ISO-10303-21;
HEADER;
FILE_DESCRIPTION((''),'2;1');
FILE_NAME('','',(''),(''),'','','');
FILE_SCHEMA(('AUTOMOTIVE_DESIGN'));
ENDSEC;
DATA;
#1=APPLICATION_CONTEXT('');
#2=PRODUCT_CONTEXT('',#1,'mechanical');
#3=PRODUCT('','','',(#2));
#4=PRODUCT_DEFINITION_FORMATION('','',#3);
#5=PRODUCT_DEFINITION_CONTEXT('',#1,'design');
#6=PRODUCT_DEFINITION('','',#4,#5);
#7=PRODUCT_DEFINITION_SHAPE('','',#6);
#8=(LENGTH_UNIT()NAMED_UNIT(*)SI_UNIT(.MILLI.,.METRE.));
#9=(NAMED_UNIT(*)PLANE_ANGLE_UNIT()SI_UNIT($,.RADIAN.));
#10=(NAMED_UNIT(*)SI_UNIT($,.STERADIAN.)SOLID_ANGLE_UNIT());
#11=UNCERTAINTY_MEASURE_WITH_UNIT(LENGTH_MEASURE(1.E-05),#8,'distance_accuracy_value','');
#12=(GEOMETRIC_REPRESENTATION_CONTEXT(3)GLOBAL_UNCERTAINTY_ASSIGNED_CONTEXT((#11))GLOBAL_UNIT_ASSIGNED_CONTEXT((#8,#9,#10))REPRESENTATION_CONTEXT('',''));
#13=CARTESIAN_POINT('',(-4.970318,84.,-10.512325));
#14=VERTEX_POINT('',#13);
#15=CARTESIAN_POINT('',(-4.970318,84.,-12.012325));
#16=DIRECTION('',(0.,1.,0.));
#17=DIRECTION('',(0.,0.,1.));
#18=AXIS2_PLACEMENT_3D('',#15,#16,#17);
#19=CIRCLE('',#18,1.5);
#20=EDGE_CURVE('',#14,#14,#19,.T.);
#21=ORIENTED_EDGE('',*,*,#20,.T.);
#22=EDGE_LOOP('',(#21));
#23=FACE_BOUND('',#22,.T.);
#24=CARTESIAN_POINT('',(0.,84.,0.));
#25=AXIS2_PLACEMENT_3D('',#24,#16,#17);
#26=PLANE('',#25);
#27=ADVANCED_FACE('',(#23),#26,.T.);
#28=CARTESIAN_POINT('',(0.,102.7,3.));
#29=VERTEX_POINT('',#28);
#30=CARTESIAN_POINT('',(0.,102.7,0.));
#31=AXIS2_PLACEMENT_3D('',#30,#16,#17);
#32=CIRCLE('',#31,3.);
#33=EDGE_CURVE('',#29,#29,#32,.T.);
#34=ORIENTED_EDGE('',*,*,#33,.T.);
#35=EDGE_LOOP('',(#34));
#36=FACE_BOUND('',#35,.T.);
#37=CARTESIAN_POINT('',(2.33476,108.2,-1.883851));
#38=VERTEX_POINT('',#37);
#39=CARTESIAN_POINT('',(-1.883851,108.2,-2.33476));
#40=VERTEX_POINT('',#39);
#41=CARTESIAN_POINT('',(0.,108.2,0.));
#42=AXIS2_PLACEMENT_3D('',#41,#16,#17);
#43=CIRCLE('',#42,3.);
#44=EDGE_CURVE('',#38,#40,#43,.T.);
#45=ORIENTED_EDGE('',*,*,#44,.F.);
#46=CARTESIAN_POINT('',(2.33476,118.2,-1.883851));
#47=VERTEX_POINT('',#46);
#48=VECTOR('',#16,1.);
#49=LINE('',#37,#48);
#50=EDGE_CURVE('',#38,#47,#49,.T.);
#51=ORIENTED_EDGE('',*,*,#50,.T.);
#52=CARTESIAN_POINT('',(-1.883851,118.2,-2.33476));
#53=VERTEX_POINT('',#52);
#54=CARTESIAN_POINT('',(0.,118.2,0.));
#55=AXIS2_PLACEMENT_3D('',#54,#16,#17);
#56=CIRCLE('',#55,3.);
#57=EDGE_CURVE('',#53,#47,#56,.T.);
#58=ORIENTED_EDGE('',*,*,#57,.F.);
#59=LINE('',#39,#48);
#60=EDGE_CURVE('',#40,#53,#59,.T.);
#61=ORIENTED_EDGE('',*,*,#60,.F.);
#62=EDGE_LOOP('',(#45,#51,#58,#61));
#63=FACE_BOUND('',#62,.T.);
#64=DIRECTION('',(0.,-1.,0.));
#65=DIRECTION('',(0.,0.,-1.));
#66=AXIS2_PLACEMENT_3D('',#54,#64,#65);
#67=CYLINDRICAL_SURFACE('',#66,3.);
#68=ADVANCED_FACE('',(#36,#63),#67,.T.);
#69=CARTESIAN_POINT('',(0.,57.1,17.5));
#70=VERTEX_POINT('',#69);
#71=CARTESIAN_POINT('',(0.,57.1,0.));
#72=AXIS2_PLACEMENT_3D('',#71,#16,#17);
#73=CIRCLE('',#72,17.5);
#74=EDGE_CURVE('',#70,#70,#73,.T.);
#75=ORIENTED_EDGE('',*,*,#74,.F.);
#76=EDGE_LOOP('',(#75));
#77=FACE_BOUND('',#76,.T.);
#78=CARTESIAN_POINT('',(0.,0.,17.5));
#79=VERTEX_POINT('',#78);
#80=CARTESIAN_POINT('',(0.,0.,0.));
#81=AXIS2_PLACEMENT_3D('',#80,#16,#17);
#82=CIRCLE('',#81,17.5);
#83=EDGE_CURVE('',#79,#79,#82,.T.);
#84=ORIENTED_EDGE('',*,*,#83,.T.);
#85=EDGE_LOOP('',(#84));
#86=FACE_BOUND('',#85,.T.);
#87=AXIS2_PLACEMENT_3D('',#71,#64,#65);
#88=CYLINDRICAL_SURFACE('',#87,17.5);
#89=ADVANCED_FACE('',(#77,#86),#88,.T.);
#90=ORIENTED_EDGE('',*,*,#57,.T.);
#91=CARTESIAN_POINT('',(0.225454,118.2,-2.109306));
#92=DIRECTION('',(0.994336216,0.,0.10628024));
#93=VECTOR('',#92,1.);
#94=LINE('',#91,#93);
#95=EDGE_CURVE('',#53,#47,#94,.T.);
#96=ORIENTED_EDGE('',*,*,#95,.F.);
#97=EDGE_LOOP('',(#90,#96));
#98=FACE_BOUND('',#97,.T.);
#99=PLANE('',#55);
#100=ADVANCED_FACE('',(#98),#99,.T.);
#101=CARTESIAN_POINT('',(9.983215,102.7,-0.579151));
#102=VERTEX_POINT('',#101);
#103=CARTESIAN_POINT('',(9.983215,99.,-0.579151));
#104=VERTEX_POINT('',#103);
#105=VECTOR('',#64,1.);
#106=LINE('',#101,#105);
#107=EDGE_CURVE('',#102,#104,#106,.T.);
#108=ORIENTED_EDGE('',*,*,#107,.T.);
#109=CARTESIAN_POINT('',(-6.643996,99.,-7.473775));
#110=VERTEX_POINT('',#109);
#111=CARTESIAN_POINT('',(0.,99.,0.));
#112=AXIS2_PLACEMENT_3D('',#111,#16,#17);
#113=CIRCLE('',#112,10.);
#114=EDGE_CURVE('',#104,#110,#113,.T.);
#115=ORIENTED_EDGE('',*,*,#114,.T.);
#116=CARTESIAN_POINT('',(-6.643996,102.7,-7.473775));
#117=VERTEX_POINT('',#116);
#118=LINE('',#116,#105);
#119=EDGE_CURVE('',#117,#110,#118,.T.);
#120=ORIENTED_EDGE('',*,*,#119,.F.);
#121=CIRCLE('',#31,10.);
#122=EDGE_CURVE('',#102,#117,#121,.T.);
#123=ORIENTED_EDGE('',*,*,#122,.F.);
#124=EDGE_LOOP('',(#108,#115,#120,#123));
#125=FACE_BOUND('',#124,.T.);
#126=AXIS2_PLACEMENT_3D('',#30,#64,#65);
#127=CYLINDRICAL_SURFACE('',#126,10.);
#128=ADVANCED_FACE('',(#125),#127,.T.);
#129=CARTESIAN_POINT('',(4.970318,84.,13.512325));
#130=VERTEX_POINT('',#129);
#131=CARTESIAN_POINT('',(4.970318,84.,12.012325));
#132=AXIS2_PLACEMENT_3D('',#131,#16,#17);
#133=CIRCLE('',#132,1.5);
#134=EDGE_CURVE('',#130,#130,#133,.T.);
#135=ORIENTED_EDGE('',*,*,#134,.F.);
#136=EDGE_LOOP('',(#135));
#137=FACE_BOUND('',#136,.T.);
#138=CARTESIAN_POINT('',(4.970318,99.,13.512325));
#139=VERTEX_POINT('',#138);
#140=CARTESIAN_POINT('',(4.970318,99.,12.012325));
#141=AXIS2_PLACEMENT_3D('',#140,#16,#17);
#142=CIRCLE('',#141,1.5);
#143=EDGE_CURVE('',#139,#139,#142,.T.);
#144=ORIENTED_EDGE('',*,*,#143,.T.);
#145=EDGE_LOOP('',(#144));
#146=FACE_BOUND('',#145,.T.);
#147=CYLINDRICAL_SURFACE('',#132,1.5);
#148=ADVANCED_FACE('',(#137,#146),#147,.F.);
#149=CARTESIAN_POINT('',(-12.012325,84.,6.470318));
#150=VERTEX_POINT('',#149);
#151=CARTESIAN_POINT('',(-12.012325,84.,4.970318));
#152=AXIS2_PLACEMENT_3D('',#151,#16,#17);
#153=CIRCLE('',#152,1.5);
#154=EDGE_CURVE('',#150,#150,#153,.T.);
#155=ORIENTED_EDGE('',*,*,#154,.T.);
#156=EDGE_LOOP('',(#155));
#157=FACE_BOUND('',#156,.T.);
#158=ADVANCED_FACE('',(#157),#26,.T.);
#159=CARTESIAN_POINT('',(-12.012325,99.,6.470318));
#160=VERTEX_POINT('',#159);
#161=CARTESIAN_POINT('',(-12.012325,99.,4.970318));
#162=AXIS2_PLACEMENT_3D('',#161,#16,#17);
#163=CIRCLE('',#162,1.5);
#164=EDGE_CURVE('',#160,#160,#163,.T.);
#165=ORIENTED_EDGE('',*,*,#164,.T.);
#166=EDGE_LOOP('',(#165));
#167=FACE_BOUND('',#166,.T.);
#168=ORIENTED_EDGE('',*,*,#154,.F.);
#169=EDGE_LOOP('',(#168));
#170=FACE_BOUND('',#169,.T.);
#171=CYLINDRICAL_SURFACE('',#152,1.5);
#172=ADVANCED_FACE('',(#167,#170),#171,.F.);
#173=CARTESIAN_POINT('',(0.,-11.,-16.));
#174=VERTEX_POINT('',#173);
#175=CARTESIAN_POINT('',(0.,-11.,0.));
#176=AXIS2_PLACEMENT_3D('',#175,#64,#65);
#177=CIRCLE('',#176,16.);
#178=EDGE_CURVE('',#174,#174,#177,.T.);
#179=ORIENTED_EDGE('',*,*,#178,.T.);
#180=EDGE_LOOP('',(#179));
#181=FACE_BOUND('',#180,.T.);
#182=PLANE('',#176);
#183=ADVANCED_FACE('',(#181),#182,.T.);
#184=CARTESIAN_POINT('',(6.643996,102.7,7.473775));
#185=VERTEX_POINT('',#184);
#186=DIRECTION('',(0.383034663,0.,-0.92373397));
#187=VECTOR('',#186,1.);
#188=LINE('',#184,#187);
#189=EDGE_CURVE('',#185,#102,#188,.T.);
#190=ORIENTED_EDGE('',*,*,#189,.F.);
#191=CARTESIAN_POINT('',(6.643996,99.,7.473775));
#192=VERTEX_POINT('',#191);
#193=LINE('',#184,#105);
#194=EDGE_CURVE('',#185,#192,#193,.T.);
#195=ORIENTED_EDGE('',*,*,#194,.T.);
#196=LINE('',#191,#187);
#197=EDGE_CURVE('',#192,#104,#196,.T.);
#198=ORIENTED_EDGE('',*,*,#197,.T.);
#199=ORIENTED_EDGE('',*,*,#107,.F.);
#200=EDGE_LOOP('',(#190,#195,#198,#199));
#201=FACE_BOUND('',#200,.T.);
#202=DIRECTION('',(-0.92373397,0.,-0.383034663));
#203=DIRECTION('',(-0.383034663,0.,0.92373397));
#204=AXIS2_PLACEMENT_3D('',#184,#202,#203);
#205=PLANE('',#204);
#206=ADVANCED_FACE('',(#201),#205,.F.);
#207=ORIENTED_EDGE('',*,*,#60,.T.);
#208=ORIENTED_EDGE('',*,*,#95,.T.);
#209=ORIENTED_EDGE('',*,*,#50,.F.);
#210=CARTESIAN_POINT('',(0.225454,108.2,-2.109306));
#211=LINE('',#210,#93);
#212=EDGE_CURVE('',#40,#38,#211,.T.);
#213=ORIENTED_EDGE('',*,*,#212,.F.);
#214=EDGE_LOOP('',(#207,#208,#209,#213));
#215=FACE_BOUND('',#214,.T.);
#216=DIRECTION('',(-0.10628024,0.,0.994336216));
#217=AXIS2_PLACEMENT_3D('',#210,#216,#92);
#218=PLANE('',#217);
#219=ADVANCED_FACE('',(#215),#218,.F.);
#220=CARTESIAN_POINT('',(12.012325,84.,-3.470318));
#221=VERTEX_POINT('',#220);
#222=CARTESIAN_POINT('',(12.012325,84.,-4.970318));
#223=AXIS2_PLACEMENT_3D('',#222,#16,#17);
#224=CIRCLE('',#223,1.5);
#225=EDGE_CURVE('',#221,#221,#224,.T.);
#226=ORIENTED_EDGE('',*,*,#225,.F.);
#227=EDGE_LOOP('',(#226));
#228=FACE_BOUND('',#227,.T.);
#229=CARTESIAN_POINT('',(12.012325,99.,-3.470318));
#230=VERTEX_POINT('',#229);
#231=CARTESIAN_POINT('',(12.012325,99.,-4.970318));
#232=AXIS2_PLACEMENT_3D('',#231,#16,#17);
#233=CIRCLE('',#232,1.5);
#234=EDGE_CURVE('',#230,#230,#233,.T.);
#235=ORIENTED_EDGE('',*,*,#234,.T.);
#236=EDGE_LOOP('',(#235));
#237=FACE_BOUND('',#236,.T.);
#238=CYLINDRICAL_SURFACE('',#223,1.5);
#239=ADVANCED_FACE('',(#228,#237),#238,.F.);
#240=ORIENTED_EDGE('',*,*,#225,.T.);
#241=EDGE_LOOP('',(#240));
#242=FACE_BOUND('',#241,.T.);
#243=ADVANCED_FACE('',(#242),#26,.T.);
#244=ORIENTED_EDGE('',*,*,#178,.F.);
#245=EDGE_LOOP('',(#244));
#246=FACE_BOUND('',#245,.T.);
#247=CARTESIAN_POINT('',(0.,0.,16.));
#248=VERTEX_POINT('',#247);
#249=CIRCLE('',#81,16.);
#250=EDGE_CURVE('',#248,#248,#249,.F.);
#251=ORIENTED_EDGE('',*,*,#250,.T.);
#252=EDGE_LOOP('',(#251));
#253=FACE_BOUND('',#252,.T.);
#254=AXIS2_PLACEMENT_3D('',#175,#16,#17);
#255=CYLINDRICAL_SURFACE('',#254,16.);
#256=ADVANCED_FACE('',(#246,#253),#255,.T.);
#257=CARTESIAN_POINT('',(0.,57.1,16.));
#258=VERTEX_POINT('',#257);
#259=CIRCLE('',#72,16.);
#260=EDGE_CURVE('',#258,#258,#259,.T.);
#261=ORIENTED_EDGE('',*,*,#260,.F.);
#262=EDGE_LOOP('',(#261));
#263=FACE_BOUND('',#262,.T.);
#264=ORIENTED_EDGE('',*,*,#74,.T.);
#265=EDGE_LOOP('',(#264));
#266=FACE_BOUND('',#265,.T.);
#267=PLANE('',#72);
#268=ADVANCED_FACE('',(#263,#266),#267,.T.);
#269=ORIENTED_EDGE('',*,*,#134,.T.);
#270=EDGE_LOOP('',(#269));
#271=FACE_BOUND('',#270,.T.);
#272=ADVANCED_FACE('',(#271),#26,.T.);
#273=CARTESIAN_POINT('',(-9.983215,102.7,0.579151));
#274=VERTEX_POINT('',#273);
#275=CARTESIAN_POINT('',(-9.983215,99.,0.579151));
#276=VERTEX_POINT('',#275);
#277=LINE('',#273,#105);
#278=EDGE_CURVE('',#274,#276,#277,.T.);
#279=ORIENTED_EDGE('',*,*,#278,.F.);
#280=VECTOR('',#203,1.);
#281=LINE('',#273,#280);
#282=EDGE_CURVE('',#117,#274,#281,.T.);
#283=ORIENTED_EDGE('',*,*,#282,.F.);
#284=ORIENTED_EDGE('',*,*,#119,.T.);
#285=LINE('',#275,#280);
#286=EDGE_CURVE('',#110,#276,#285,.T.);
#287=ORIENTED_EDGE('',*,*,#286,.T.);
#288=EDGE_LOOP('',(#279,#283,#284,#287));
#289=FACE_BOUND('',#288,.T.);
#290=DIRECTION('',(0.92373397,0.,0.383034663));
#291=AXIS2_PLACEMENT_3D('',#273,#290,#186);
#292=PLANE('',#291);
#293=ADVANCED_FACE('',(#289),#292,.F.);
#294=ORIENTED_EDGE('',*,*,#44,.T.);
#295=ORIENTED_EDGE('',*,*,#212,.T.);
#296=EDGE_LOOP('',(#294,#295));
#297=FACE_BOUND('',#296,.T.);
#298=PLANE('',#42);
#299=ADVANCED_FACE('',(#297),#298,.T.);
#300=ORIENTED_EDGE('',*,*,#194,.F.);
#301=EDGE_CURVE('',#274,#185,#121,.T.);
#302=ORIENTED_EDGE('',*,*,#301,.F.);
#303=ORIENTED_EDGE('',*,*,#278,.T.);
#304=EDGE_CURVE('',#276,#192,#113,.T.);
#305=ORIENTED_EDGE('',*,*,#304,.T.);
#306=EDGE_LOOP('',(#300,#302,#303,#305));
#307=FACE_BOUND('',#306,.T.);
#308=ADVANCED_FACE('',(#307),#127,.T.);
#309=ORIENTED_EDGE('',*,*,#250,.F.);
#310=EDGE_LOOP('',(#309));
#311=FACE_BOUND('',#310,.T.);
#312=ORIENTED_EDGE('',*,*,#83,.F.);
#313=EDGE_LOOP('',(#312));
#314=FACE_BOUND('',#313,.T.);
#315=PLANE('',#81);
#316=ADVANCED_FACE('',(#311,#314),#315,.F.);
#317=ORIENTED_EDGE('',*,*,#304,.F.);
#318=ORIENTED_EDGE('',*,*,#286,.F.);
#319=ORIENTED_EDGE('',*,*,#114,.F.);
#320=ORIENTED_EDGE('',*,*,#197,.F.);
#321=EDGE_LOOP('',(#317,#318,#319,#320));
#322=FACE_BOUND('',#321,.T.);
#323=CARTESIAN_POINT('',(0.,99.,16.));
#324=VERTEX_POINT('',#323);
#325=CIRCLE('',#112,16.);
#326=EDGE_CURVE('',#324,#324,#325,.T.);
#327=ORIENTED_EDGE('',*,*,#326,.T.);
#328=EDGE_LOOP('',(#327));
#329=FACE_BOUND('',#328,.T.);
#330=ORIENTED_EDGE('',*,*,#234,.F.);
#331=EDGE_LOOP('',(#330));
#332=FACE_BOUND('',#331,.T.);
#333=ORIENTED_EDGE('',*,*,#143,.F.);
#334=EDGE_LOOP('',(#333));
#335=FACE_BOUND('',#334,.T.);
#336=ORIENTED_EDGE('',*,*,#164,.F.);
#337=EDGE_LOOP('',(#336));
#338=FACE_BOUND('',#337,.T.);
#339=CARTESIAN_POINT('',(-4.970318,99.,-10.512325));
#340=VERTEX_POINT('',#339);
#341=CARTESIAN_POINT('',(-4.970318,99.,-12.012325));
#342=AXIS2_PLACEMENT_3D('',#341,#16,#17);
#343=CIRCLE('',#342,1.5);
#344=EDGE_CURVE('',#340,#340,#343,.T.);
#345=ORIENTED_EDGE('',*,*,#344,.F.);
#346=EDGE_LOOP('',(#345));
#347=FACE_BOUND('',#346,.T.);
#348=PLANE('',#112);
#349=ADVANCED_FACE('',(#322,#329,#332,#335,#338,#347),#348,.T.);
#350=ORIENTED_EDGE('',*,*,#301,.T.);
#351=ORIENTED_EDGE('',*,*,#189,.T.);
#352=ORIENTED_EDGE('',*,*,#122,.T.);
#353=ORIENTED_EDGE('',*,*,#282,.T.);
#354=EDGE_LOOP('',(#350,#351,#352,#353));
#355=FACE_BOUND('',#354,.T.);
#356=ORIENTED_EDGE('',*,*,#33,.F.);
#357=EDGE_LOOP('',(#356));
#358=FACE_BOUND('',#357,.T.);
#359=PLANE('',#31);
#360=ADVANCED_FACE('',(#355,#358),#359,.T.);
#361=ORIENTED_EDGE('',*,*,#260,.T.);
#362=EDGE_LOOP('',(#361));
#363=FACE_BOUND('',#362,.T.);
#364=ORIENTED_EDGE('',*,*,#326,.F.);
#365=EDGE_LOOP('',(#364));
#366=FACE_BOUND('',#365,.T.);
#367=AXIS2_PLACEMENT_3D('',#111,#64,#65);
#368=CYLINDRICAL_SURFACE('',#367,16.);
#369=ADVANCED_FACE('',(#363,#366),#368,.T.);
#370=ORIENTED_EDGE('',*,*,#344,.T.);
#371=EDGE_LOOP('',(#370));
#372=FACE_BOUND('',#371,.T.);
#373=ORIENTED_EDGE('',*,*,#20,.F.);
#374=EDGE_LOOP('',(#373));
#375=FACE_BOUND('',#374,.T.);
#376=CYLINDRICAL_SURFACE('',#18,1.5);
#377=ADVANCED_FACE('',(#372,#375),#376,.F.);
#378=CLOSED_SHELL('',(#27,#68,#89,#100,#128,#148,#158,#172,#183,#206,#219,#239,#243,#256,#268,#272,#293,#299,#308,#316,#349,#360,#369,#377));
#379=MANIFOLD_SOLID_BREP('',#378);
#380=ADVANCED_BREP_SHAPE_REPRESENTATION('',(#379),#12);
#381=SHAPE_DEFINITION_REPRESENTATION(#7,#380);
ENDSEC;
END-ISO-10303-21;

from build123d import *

# Parameters (mm, degrees)
SKETCH1_R           = 17.5
BOSS_EXTRUDE1_DEPTH = 57.1
SKETCH2_R           = 16
BOSS_EXTRUDE2_DEPTH = 11
SKETCH3_R           = 16
BOSS_EXTRUDE3_DEPTH = 41.9
SKETCH4_R           = 1.5
CUT_EXTRUDE2_DEPTH  = 15
BOSS_EXTRUDE5_DEPTH = 3.7
SKETCH7_R           = 3
BOSS_EXTRUDE6_DEPTH = 15.5
CUT_EXTRUDE3_DEPTH  = 10


with BuildPart() as part:
    # Sketch1 → Boss-Extrude1 (new body)
    with BuildSketch(Plane(origin=(0, 0, 0), x_dir=(1, 0, 0), z_dir=(0, 1, 0))):
        Circle(SKETCH1_R)
    extrude(amount=BOSS_EXTRUDE1_DEPTH)

    # Sketch2 → Boss-Extrude2 (add)
    with BuildSketch(Plane.XZ):
        Circle(SKETCH2_R)
    extrude(amount=BOSS_EXTRUDE2_DEPTH)

    # Sketch3 → Boss-Extrude3 (add)
    with BuildSketch(Plane(origin=(0, 57.1, 0), x_dir=(1, 0, 0), z_dir=(0, 1, 0))):
        Circle(SKETCH3_R)
    extrude(amount=BOSS_EXTRUDE3_DEPTH)

    # Sketch4 → Cut-Extrude2 (cut)
    with BuildSketch(Plane(origin=(0, 99, 0), x_dir=(1, 0, 0), z_dir=(0, 1, 0))):
        with Locations((12.012324504, 4.970317898)):
            Circle(SKETCH4_R)
        with Locations((-4.970317898, 12.012324504)):
            Circle(SKETCH4_R)
        with Locations((-12.012324504, -4.970317898)):
            Circle(SKETCH4_R)
        with Locations((4.970317898, -12.012324504)):
            Circle(SKETCH4_R)
    extrude(amount=-CUT_EXTRUDE2_DEPTH, mode=Mode.SUBTRACT)

    # Sketch6 → Boss-Extrude5 (add)
    with BuildSketch(Plane(origin=(0, 99, 0), x_dir=(1, 0, 0), z_dir=(0, 1, 0))):
        with BuildLine():
            Line((-9.983215116, -0.579151054), (-6.643996337, 7.473774995))
            ThreePointArc((-6.643996337, 7.473774995), (3.830346634, 9.237339696), (9.983215116, 0.579151054))
            Line((9.983215116, 0.579151054), (6.643996337, -7.473774995))
            ThreePointArc((6.643996337, -7.473774995), (-3.830346634, -9.237339696), (-9.983215116, -0.579151054))
        make_face()
    extrude(amount=BOSS_EXTRUDE5_DEPTH)

    # Sketch7 → Boss-Extrude6 (add)
    with BuildSketch(Plane(origin=(0, 102.7, 0), x_dir=(1, 0, 0), z_dir=(0, 1, 0))):
        Circle(SKETCH7_R)
    extrude(amount=BOSS_EXTRUDE6_DEPTH)

    # Sketch8 → Cut-Extrude3 (cut)
    with BuildSketch(Plane(origin=(0, 118.2, 0), x_dir=(1, 0, 0), z_dir=(0, 1, 0))):
        with BuildLine():
            Line((-1.883851207, 2.334760079), (2.334760079, 1.883851207))
            ThreePointArc((2.334760079, 1.883851207), (0.318840721, 2.983008648), (-1.883851207, 2.334760079))
        make_face()
    extrude(amount=-CUT_EXTRUDE3_DEPTH, mode=Mode.SUBTRACT)


solid = part.part
